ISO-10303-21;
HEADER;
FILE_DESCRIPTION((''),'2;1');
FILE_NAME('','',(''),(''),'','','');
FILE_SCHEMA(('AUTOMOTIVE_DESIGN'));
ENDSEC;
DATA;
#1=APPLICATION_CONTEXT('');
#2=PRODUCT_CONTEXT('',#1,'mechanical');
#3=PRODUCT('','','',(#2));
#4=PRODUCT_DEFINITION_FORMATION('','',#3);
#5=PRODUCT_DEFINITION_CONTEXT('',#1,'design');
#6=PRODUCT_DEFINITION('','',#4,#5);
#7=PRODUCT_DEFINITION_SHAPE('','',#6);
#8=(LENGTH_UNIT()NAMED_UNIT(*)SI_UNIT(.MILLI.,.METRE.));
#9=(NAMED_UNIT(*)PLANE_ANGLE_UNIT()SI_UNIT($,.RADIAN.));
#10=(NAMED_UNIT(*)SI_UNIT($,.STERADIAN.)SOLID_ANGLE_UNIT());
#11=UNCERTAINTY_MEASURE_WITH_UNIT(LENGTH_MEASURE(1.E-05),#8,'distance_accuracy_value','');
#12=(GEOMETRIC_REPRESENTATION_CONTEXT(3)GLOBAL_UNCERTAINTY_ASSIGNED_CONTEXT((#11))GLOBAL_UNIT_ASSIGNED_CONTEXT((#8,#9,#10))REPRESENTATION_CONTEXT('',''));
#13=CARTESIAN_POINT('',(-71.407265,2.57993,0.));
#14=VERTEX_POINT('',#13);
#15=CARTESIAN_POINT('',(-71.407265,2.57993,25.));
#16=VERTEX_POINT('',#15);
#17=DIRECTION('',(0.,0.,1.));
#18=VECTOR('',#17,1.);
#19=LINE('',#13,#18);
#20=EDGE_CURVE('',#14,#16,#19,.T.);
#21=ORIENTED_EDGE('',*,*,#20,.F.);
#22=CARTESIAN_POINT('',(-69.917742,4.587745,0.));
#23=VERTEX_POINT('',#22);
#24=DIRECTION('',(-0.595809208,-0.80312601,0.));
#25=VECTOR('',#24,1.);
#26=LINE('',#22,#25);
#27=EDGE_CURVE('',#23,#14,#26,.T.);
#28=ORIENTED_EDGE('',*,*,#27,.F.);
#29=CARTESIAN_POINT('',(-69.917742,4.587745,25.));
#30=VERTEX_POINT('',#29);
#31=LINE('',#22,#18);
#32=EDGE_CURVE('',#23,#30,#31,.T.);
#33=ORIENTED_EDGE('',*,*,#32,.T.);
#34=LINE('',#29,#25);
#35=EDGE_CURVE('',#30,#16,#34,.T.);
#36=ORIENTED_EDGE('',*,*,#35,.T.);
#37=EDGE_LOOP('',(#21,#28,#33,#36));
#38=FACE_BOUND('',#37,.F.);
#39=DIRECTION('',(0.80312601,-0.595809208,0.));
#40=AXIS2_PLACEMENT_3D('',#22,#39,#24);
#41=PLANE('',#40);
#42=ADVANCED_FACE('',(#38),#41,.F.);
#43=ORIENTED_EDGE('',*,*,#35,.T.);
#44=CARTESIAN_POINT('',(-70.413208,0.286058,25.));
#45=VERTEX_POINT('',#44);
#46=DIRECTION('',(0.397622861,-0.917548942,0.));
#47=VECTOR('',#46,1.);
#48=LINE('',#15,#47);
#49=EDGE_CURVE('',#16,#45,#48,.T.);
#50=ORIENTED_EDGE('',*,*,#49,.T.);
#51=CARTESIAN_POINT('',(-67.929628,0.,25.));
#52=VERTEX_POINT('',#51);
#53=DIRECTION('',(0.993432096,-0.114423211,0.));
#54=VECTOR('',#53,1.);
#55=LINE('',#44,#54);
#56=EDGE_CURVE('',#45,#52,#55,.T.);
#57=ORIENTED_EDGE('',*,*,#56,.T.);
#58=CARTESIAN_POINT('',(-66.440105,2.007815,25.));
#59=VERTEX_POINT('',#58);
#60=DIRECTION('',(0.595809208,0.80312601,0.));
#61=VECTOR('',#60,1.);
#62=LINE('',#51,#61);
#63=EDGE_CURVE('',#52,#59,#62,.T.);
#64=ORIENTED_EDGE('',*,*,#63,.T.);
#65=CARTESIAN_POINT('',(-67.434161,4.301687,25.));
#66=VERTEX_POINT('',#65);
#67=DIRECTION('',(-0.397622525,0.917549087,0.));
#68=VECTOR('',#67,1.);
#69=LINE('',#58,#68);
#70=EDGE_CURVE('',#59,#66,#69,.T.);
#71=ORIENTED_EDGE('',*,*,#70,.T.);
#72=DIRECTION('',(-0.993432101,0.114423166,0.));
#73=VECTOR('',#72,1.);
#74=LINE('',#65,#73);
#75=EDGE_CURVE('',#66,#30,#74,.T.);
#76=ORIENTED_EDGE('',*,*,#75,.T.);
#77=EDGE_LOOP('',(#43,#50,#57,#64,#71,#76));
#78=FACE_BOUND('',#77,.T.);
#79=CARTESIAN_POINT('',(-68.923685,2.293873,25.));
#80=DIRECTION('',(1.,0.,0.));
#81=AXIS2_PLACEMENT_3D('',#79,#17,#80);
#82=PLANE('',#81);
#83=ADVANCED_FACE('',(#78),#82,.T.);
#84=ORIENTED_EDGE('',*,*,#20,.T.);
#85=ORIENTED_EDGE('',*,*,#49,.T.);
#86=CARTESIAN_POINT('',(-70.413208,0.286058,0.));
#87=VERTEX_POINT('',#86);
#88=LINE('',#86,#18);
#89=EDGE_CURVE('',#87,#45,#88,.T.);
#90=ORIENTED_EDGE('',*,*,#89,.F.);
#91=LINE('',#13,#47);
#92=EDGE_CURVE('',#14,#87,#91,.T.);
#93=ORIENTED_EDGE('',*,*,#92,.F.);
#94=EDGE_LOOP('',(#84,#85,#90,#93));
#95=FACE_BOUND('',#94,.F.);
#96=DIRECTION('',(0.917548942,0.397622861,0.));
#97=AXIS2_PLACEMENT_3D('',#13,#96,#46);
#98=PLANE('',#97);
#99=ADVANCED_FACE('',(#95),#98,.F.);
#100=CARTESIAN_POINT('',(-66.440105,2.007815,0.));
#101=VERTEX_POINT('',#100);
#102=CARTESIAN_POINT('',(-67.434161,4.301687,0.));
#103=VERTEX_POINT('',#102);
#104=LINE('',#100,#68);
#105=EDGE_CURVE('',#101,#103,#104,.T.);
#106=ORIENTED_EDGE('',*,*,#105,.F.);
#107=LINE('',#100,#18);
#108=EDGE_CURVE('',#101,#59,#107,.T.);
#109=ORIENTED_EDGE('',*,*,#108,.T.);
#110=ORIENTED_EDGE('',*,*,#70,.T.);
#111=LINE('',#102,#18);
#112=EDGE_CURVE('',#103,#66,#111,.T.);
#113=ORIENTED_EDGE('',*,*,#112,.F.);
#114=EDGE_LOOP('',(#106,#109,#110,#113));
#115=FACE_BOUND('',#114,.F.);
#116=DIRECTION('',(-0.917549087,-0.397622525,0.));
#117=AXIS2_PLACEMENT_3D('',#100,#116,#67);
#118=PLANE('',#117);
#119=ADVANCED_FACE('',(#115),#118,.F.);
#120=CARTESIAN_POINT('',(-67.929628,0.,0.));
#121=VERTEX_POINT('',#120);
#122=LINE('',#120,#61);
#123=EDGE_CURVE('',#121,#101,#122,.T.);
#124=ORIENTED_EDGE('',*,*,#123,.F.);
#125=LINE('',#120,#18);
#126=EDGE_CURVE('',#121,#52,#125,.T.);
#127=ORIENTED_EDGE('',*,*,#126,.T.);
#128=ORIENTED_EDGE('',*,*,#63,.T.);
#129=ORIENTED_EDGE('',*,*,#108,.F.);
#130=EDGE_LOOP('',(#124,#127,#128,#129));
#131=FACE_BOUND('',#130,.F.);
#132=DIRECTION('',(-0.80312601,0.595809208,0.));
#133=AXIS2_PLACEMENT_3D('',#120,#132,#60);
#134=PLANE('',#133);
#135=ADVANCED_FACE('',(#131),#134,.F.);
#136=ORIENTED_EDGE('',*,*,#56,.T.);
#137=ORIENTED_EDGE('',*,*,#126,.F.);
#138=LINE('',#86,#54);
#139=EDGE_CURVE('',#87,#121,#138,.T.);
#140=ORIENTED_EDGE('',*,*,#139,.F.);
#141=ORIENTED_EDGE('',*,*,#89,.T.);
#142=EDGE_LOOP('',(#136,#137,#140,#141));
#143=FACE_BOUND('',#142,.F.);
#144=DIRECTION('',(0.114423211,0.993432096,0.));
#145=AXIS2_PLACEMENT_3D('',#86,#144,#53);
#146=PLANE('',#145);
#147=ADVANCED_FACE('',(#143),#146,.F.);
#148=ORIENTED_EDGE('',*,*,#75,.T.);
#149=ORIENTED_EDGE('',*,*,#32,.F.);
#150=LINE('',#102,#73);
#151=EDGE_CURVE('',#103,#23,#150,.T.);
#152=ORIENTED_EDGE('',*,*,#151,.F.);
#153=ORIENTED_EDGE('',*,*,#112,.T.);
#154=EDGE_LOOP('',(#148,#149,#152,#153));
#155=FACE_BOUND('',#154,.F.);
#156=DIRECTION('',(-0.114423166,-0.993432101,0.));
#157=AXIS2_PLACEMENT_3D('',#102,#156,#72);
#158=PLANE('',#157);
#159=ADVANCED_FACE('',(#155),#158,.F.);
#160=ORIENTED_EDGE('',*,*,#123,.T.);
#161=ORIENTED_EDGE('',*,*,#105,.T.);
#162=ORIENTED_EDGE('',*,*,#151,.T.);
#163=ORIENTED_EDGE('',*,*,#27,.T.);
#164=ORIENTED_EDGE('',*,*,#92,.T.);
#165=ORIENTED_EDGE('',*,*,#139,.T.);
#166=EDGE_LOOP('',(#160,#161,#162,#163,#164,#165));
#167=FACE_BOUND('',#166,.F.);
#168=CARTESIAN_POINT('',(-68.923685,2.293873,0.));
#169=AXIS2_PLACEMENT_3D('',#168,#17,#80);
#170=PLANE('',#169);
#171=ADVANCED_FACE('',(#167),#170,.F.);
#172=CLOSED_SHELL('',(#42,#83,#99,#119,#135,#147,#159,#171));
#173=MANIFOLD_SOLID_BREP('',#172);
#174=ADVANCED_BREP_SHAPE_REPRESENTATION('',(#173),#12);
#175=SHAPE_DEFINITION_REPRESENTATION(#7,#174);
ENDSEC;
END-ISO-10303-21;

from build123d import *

# Parameters (mm, degrees)
PAD_DEPTH = 25


with BuildPart() as part:
    # Sketch → Pad (new body)
    with BuildSketch(Plane.XY):
        Polygon((-67.929628, 0), (-66.440105, 2.007815), (-67.434161, 4.301687), (-69.917742, 4.587745), (-71.407265, 2.57993), (-70.413208, 0.286058), align=None)
    extrude(amount=PAD_DEPTH)


solid = part.part
